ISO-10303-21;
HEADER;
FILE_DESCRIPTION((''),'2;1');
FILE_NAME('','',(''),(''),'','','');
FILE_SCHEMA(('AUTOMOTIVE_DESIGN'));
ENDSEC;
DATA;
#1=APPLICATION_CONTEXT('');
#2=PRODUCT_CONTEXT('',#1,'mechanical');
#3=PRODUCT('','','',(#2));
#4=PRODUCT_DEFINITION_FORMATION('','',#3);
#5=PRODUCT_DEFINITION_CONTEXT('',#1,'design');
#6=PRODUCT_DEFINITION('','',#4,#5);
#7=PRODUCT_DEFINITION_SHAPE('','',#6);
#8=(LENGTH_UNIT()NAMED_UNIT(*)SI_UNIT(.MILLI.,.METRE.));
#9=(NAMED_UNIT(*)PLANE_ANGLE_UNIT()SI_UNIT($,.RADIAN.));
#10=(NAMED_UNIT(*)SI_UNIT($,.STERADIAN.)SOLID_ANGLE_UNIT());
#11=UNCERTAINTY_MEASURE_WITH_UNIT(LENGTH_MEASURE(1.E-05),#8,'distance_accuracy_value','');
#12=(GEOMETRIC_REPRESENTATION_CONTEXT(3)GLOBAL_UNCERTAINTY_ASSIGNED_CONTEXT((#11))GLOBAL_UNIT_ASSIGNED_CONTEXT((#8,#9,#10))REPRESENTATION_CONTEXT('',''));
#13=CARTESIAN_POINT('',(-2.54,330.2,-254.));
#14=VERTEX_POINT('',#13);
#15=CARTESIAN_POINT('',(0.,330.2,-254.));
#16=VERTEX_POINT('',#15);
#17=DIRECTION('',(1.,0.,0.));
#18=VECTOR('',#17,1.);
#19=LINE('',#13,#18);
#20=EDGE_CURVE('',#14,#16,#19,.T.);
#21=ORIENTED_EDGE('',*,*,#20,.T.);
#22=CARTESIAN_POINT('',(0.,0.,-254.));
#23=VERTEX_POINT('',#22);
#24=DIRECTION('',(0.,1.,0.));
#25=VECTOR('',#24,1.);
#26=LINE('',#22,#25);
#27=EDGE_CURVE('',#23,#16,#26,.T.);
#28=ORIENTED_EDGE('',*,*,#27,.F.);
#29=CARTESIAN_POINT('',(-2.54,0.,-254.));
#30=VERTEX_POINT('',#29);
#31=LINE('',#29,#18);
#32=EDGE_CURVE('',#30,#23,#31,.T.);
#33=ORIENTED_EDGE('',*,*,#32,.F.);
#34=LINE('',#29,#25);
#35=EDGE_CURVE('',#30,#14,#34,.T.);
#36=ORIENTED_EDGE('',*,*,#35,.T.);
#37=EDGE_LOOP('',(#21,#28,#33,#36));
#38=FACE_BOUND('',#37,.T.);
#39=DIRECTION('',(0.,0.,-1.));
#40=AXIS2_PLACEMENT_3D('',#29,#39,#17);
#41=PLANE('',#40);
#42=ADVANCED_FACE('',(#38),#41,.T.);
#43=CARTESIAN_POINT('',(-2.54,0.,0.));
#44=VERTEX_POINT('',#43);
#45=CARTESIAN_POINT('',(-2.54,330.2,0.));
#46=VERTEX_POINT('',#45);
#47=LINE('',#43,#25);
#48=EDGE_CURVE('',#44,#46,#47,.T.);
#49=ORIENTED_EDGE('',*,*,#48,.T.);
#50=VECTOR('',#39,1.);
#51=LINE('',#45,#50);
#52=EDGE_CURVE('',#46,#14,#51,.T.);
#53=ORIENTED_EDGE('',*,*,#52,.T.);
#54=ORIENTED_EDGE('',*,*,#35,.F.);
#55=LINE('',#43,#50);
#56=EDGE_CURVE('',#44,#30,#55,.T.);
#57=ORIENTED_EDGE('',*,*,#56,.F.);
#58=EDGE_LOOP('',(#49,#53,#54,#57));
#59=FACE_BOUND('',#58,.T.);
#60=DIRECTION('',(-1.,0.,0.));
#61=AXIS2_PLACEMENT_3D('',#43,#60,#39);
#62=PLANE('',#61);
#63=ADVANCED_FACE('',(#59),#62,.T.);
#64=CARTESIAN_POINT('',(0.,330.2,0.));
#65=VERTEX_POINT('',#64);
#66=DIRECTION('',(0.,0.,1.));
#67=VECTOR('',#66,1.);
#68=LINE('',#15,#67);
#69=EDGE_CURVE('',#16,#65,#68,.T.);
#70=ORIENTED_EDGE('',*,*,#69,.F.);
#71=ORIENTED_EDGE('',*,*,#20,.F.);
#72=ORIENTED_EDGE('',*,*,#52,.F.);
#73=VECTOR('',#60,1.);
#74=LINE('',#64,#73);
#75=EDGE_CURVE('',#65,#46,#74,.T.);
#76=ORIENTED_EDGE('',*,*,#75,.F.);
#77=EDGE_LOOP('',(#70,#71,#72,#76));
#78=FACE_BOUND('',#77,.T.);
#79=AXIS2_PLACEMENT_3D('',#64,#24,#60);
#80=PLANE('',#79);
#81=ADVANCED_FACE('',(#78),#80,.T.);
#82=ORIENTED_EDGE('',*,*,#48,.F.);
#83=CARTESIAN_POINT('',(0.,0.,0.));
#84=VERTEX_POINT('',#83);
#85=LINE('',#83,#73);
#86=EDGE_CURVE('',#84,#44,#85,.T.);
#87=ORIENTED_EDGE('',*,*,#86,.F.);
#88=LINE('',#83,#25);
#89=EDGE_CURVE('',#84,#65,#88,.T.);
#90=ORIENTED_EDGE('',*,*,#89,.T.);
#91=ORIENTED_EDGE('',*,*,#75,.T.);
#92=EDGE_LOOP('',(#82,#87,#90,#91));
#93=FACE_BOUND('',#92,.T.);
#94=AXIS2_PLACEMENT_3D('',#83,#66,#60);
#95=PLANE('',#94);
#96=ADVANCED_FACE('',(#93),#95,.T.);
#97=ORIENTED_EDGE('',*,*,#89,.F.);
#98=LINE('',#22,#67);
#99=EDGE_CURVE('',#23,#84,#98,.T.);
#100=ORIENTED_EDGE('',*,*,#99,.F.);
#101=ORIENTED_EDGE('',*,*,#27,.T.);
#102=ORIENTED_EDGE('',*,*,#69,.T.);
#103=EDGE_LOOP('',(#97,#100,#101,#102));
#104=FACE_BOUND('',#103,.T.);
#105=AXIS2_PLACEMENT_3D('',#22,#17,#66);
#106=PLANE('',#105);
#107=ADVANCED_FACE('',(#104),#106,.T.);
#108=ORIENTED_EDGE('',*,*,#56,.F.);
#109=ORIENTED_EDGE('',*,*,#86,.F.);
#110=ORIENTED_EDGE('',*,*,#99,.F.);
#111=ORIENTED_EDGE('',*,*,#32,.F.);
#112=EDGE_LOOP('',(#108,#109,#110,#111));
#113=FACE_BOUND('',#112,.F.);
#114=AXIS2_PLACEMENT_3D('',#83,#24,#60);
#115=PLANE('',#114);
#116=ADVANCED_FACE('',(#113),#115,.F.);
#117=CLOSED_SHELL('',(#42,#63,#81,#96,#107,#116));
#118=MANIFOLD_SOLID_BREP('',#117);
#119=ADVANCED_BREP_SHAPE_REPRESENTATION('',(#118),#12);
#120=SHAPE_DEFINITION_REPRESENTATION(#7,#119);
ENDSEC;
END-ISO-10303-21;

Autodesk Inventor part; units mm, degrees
ref_plane "YZ Plane" through (0, 0, 0) normal (1, 0, 0) x (0, 1, 0)
ref_plane "XZ Plane" through (0, 0, 0) normal (0, 1, 0) x (-1, 0, 0)
ref_plane "XY Plane" through (0, 0, 0) normal (0, 0, 1) x (1, 0, 0)
sketch "Sketch1" plane through (0, 0, 0) normal (0, 1, 0) x (-1, 0, 0)
  line L0 (0, 0) -> (2.54, 0)
  line L1 (2.54, 0) -> (2.54, -254)
  line L2 (2.54, -254) -> (0, -254)
  line L3 (0, -254) -> (0, 0)
  dimension "d0" = 254
  dimension "d1" = 2.54
extrude "Extrusion1" add sketch "Sketch1" along normal blind 330.2
properties part number "PanelThree" material "Polycarbonate, Clear"
